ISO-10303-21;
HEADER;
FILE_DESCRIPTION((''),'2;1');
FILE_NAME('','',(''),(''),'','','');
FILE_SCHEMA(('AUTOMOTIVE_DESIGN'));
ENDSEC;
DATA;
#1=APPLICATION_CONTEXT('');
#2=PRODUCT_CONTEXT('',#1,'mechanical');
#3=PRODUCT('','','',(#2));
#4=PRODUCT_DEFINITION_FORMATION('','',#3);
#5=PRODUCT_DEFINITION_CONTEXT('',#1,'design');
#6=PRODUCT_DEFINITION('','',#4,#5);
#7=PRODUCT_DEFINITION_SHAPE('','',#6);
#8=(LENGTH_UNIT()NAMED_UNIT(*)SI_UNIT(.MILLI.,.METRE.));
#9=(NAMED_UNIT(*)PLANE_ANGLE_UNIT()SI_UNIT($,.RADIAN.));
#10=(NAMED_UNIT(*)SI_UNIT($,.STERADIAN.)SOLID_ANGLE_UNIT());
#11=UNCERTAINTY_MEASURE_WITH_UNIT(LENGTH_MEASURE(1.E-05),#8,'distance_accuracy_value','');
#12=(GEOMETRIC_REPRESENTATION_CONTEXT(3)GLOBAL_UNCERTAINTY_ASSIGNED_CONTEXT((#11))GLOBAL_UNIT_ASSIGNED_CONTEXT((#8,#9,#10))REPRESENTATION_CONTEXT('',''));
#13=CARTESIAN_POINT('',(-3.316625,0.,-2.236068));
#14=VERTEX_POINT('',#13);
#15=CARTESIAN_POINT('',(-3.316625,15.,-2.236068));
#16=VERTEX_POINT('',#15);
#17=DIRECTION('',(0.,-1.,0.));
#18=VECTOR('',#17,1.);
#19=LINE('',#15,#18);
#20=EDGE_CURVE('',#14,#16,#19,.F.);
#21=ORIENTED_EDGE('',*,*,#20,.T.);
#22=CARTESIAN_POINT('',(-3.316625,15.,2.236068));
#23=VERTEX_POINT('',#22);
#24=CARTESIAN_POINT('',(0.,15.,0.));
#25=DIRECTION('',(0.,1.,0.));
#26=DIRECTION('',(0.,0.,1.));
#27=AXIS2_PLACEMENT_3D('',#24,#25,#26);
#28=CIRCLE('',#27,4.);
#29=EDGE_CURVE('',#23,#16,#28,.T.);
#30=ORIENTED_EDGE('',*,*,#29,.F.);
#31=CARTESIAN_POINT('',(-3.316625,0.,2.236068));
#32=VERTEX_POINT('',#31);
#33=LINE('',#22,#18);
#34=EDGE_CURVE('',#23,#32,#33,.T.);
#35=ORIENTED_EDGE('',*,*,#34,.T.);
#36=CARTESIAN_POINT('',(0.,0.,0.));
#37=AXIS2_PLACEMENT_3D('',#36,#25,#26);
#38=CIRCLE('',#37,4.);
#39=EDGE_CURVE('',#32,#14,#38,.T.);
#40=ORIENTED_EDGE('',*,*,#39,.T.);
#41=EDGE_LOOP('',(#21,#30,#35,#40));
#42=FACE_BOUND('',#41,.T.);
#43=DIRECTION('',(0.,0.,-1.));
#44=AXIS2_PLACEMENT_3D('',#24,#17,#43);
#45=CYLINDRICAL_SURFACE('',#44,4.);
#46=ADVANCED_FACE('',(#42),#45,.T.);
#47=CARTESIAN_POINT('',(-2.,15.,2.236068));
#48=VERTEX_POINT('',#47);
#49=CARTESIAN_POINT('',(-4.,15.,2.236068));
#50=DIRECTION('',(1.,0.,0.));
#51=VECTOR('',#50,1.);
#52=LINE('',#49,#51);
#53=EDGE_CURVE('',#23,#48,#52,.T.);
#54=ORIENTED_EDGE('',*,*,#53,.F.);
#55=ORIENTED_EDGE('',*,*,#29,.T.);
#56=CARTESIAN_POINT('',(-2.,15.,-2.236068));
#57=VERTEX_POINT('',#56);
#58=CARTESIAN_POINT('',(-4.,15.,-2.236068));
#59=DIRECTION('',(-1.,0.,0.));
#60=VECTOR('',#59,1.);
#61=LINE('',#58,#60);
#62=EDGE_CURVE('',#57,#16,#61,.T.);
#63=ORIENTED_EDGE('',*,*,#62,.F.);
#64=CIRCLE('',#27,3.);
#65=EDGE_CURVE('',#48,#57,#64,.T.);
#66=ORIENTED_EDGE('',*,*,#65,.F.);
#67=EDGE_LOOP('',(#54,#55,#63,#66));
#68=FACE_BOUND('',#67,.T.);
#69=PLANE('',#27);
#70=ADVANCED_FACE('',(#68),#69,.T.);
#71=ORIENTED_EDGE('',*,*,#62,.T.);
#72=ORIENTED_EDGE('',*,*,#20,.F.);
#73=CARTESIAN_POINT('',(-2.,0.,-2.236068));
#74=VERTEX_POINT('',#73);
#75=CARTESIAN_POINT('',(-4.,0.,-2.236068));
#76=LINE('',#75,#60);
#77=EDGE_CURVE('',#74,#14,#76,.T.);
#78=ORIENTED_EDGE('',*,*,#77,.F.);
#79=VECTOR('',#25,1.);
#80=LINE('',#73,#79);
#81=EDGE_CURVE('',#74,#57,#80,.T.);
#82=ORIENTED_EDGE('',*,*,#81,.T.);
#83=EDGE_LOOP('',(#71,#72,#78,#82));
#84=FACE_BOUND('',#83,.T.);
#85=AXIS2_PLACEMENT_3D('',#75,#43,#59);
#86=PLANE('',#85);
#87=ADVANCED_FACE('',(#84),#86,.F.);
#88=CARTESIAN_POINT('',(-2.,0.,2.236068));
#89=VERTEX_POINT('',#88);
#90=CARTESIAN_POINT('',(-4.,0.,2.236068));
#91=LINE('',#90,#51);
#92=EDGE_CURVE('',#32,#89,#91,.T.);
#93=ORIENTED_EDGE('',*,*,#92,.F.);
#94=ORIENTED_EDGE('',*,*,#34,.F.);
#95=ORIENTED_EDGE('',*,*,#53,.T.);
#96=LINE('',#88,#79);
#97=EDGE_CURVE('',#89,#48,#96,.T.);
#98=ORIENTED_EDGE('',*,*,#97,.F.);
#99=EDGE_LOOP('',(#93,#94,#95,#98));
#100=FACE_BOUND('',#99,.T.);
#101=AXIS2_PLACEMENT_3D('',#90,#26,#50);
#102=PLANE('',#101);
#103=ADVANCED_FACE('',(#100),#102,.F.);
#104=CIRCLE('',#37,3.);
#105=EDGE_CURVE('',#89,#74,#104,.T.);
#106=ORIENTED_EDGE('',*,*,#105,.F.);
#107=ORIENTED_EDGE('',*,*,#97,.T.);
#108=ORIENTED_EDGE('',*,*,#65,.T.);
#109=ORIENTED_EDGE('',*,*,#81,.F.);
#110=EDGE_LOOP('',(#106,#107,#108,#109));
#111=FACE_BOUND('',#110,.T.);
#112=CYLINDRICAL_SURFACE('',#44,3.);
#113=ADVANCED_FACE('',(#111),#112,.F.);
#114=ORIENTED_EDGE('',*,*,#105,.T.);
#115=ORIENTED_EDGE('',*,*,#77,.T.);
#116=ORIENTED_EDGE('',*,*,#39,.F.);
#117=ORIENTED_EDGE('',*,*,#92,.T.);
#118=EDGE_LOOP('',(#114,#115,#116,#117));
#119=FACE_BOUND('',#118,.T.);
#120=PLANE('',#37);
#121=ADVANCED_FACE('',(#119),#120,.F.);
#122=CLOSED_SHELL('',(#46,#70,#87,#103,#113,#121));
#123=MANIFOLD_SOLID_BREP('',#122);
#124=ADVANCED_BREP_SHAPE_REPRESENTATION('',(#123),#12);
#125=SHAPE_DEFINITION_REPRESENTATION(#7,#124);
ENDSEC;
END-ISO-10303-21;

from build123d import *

# Parameters (mm, degrees)
SKETCH_1_R          = 4
SKETCH_1_R_2        = 3
EXTRUDE_1_DEPTH     = 15
SKETCH_2_W          = 2
SKETCH_2_H          = 4.472135954
CUT_EXTRUDE_1_DEPTH = 15


with BuildPart() as part:
    # 草圖1 → 填料-伸長1 (new body)
    with BuildSketch(Plane(origin=(0, 0, 0), x_dir=(1, 0, 0), z_dir=(0, 1, 0))):
        Circle(SKETCH_1_R)
        Circle(SKETCH_1_R_2, mode=Mode.SUBTRACT)
    extrude(amount=EXTRUDE_1_DEPTH)

    # 草圖2 → 除料-伸長1 (cut)
    with BuildSketch(Plane(origin=(0, 15, 0), x_dir=(1, 0, 0), z_dir=(0, 1, 0))):
        with Locations((-3, 0)):
            Rectangle(SKETCH_2_W, SKETCH_2_H)
    extrude(amount=-CUT_EXTRUDE_1_DEPTH, mode=Mode.SUBTRACT)


solid = part.part
